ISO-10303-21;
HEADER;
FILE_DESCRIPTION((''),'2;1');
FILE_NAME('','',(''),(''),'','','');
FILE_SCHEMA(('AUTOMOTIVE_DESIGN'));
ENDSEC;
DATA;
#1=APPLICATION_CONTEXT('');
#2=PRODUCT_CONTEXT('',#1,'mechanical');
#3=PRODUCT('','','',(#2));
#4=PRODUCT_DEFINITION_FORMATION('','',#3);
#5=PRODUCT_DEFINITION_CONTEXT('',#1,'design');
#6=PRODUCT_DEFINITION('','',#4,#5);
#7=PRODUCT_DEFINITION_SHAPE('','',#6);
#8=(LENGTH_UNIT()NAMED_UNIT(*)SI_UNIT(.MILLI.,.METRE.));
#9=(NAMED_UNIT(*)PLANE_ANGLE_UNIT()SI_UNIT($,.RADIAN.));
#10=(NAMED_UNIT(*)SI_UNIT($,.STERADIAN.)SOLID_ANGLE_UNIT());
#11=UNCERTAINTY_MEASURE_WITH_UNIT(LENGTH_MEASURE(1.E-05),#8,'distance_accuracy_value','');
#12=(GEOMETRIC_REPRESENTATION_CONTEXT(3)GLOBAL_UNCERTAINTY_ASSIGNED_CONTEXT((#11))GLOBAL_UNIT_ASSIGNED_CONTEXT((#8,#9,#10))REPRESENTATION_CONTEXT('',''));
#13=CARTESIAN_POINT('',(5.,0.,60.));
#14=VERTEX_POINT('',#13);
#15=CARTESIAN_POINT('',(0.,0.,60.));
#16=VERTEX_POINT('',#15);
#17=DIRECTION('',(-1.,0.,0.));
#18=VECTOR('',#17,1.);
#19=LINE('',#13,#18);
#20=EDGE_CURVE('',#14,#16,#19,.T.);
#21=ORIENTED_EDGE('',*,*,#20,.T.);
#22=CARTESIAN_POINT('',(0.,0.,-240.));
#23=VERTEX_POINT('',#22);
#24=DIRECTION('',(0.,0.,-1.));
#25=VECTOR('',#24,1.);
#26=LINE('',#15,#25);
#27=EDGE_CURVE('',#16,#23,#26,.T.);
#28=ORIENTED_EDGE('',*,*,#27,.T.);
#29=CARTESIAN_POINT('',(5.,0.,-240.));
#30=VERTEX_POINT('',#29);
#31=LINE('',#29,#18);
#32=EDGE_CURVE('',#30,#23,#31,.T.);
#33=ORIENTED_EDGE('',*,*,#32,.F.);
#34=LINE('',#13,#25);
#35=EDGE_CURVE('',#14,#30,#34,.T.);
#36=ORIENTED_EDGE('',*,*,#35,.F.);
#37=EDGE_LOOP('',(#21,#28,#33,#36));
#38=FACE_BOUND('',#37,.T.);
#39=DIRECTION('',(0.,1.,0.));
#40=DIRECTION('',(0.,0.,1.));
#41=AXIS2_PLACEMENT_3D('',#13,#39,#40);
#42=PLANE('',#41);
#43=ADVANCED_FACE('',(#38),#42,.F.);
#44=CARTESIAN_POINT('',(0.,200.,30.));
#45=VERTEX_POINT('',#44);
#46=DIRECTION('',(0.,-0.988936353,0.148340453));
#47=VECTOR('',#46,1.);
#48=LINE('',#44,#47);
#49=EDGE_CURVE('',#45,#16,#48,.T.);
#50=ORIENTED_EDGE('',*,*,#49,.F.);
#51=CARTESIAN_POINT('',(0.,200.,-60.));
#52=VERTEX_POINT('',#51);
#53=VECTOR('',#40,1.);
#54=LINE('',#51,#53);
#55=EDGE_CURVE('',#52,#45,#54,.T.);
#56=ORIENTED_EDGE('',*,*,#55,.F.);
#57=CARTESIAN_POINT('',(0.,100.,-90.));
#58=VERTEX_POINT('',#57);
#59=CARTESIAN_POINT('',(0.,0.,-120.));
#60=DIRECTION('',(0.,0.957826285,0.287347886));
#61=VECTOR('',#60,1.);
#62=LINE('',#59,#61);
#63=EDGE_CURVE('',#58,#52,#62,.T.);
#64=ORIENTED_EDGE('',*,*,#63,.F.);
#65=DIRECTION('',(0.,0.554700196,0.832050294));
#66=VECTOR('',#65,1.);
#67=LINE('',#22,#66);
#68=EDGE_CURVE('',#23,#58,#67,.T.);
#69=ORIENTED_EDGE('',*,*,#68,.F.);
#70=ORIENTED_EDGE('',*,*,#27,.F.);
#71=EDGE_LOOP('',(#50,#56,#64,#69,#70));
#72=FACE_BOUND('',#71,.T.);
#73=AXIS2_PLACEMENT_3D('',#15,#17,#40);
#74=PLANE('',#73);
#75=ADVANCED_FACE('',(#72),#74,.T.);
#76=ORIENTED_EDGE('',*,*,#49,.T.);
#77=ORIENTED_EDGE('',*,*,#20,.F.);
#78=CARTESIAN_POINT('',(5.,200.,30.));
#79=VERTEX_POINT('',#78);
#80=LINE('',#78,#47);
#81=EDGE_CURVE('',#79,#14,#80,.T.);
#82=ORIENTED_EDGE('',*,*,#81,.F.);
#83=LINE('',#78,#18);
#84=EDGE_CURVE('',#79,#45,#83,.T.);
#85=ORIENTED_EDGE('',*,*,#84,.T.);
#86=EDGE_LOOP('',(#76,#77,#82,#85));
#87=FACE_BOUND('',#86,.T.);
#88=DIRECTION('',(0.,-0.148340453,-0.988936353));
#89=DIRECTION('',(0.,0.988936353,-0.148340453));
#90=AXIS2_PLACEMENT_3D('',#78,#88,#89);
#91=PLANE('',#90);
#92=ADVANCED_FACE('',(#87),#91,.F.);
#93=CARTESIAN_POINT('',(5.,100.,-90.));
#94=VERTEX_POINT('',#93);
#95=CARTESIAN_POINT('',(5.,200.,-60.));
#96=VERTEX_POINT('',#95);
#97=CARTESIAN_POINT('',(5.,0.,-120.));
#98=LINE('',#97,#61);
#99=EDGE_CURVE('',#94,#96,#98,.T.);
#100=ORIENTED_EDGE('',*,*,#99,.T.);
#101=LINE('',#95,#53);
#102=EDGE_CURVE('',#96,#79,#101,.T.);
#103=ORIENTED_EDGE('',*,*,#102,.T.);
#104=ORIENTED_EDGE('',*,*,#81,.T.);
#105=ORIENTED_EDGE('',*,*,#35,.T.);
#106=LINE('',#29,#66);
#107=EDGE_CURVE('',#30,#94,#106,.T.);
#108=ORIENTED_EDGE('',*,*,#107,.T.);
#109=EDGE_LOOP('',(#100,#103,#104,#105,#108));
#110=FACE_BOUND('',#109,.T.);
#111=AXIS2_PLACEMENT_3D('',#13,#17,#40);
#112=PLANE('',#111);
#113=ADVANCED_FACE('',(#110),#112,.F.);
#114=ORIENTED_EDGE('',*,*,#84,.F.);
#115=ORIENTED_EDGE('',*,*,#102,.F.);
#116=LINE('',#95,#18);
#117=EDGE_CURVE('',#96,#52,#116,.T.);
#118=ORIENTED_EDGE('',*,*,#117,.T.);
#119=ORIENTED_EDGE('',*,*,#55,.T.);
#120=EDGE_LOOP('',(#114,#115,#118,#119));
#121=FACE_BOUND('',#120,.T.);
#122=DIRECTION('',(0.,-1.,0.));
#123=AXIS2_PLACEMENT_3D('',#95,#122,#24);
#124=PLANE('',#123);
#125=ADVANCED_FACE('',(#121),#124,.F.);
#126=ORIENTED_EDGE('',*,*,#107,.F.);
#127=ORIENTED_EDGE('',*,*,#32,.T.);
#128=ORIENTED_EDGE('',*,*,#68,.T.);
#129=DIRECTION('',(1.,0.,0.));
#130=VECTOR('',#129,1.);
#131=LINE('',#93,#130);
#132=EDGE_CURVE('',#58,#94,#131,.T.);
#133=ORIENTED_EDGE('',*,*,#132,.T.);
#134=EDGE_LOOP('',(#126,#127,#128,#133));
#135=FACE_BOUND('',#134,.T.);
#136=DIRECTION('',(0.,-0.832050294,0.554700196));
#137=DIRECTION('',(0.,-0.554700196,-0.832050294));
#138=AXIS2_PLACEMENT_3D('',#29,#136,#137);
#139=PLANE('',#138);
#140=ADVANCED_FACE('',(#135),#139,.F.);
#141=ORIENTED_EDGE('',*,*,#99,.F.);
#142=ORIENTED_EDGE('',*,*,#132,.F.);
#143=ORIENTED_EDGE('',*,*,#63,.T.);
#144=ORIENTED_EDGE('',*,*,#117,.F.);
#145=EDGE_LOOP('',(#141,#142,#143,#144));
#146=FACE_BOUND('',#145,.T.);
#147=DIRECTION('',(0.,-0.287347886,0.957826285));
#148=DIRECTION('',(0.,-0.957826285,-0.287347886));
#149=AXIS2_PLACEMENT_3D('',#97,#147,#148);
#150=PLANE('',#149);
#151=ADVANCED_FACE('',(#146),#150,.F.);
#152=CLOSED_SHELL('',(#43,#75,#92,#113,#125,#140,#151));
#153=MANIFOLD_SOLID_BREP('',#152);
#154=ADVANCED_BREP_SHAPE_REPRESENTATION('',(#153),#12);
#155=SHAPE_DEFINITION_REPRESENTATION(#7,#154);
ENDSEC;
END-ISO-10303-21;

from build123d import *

# Parameters (mm, degrees)
EXTRUDE_2_DEPTH = 5


with BuildPart() as part:
    # 草图1 → 拉伸2 (new body)
    with BuildSketch(Plane(origin=(0, 0, 0), x_dir=(0, 0, -1), z_dir=(1, 0, 0))):
        Polygon((-30, 200), (-60, 0), (120, 0), (90, 100), (60, 200), align=None)
        Polygon((90, 100), (120, 0), (240, 0), align=None)
    extrude(amount=EXTRUDE_2_DEPTH)


solid = part.part
